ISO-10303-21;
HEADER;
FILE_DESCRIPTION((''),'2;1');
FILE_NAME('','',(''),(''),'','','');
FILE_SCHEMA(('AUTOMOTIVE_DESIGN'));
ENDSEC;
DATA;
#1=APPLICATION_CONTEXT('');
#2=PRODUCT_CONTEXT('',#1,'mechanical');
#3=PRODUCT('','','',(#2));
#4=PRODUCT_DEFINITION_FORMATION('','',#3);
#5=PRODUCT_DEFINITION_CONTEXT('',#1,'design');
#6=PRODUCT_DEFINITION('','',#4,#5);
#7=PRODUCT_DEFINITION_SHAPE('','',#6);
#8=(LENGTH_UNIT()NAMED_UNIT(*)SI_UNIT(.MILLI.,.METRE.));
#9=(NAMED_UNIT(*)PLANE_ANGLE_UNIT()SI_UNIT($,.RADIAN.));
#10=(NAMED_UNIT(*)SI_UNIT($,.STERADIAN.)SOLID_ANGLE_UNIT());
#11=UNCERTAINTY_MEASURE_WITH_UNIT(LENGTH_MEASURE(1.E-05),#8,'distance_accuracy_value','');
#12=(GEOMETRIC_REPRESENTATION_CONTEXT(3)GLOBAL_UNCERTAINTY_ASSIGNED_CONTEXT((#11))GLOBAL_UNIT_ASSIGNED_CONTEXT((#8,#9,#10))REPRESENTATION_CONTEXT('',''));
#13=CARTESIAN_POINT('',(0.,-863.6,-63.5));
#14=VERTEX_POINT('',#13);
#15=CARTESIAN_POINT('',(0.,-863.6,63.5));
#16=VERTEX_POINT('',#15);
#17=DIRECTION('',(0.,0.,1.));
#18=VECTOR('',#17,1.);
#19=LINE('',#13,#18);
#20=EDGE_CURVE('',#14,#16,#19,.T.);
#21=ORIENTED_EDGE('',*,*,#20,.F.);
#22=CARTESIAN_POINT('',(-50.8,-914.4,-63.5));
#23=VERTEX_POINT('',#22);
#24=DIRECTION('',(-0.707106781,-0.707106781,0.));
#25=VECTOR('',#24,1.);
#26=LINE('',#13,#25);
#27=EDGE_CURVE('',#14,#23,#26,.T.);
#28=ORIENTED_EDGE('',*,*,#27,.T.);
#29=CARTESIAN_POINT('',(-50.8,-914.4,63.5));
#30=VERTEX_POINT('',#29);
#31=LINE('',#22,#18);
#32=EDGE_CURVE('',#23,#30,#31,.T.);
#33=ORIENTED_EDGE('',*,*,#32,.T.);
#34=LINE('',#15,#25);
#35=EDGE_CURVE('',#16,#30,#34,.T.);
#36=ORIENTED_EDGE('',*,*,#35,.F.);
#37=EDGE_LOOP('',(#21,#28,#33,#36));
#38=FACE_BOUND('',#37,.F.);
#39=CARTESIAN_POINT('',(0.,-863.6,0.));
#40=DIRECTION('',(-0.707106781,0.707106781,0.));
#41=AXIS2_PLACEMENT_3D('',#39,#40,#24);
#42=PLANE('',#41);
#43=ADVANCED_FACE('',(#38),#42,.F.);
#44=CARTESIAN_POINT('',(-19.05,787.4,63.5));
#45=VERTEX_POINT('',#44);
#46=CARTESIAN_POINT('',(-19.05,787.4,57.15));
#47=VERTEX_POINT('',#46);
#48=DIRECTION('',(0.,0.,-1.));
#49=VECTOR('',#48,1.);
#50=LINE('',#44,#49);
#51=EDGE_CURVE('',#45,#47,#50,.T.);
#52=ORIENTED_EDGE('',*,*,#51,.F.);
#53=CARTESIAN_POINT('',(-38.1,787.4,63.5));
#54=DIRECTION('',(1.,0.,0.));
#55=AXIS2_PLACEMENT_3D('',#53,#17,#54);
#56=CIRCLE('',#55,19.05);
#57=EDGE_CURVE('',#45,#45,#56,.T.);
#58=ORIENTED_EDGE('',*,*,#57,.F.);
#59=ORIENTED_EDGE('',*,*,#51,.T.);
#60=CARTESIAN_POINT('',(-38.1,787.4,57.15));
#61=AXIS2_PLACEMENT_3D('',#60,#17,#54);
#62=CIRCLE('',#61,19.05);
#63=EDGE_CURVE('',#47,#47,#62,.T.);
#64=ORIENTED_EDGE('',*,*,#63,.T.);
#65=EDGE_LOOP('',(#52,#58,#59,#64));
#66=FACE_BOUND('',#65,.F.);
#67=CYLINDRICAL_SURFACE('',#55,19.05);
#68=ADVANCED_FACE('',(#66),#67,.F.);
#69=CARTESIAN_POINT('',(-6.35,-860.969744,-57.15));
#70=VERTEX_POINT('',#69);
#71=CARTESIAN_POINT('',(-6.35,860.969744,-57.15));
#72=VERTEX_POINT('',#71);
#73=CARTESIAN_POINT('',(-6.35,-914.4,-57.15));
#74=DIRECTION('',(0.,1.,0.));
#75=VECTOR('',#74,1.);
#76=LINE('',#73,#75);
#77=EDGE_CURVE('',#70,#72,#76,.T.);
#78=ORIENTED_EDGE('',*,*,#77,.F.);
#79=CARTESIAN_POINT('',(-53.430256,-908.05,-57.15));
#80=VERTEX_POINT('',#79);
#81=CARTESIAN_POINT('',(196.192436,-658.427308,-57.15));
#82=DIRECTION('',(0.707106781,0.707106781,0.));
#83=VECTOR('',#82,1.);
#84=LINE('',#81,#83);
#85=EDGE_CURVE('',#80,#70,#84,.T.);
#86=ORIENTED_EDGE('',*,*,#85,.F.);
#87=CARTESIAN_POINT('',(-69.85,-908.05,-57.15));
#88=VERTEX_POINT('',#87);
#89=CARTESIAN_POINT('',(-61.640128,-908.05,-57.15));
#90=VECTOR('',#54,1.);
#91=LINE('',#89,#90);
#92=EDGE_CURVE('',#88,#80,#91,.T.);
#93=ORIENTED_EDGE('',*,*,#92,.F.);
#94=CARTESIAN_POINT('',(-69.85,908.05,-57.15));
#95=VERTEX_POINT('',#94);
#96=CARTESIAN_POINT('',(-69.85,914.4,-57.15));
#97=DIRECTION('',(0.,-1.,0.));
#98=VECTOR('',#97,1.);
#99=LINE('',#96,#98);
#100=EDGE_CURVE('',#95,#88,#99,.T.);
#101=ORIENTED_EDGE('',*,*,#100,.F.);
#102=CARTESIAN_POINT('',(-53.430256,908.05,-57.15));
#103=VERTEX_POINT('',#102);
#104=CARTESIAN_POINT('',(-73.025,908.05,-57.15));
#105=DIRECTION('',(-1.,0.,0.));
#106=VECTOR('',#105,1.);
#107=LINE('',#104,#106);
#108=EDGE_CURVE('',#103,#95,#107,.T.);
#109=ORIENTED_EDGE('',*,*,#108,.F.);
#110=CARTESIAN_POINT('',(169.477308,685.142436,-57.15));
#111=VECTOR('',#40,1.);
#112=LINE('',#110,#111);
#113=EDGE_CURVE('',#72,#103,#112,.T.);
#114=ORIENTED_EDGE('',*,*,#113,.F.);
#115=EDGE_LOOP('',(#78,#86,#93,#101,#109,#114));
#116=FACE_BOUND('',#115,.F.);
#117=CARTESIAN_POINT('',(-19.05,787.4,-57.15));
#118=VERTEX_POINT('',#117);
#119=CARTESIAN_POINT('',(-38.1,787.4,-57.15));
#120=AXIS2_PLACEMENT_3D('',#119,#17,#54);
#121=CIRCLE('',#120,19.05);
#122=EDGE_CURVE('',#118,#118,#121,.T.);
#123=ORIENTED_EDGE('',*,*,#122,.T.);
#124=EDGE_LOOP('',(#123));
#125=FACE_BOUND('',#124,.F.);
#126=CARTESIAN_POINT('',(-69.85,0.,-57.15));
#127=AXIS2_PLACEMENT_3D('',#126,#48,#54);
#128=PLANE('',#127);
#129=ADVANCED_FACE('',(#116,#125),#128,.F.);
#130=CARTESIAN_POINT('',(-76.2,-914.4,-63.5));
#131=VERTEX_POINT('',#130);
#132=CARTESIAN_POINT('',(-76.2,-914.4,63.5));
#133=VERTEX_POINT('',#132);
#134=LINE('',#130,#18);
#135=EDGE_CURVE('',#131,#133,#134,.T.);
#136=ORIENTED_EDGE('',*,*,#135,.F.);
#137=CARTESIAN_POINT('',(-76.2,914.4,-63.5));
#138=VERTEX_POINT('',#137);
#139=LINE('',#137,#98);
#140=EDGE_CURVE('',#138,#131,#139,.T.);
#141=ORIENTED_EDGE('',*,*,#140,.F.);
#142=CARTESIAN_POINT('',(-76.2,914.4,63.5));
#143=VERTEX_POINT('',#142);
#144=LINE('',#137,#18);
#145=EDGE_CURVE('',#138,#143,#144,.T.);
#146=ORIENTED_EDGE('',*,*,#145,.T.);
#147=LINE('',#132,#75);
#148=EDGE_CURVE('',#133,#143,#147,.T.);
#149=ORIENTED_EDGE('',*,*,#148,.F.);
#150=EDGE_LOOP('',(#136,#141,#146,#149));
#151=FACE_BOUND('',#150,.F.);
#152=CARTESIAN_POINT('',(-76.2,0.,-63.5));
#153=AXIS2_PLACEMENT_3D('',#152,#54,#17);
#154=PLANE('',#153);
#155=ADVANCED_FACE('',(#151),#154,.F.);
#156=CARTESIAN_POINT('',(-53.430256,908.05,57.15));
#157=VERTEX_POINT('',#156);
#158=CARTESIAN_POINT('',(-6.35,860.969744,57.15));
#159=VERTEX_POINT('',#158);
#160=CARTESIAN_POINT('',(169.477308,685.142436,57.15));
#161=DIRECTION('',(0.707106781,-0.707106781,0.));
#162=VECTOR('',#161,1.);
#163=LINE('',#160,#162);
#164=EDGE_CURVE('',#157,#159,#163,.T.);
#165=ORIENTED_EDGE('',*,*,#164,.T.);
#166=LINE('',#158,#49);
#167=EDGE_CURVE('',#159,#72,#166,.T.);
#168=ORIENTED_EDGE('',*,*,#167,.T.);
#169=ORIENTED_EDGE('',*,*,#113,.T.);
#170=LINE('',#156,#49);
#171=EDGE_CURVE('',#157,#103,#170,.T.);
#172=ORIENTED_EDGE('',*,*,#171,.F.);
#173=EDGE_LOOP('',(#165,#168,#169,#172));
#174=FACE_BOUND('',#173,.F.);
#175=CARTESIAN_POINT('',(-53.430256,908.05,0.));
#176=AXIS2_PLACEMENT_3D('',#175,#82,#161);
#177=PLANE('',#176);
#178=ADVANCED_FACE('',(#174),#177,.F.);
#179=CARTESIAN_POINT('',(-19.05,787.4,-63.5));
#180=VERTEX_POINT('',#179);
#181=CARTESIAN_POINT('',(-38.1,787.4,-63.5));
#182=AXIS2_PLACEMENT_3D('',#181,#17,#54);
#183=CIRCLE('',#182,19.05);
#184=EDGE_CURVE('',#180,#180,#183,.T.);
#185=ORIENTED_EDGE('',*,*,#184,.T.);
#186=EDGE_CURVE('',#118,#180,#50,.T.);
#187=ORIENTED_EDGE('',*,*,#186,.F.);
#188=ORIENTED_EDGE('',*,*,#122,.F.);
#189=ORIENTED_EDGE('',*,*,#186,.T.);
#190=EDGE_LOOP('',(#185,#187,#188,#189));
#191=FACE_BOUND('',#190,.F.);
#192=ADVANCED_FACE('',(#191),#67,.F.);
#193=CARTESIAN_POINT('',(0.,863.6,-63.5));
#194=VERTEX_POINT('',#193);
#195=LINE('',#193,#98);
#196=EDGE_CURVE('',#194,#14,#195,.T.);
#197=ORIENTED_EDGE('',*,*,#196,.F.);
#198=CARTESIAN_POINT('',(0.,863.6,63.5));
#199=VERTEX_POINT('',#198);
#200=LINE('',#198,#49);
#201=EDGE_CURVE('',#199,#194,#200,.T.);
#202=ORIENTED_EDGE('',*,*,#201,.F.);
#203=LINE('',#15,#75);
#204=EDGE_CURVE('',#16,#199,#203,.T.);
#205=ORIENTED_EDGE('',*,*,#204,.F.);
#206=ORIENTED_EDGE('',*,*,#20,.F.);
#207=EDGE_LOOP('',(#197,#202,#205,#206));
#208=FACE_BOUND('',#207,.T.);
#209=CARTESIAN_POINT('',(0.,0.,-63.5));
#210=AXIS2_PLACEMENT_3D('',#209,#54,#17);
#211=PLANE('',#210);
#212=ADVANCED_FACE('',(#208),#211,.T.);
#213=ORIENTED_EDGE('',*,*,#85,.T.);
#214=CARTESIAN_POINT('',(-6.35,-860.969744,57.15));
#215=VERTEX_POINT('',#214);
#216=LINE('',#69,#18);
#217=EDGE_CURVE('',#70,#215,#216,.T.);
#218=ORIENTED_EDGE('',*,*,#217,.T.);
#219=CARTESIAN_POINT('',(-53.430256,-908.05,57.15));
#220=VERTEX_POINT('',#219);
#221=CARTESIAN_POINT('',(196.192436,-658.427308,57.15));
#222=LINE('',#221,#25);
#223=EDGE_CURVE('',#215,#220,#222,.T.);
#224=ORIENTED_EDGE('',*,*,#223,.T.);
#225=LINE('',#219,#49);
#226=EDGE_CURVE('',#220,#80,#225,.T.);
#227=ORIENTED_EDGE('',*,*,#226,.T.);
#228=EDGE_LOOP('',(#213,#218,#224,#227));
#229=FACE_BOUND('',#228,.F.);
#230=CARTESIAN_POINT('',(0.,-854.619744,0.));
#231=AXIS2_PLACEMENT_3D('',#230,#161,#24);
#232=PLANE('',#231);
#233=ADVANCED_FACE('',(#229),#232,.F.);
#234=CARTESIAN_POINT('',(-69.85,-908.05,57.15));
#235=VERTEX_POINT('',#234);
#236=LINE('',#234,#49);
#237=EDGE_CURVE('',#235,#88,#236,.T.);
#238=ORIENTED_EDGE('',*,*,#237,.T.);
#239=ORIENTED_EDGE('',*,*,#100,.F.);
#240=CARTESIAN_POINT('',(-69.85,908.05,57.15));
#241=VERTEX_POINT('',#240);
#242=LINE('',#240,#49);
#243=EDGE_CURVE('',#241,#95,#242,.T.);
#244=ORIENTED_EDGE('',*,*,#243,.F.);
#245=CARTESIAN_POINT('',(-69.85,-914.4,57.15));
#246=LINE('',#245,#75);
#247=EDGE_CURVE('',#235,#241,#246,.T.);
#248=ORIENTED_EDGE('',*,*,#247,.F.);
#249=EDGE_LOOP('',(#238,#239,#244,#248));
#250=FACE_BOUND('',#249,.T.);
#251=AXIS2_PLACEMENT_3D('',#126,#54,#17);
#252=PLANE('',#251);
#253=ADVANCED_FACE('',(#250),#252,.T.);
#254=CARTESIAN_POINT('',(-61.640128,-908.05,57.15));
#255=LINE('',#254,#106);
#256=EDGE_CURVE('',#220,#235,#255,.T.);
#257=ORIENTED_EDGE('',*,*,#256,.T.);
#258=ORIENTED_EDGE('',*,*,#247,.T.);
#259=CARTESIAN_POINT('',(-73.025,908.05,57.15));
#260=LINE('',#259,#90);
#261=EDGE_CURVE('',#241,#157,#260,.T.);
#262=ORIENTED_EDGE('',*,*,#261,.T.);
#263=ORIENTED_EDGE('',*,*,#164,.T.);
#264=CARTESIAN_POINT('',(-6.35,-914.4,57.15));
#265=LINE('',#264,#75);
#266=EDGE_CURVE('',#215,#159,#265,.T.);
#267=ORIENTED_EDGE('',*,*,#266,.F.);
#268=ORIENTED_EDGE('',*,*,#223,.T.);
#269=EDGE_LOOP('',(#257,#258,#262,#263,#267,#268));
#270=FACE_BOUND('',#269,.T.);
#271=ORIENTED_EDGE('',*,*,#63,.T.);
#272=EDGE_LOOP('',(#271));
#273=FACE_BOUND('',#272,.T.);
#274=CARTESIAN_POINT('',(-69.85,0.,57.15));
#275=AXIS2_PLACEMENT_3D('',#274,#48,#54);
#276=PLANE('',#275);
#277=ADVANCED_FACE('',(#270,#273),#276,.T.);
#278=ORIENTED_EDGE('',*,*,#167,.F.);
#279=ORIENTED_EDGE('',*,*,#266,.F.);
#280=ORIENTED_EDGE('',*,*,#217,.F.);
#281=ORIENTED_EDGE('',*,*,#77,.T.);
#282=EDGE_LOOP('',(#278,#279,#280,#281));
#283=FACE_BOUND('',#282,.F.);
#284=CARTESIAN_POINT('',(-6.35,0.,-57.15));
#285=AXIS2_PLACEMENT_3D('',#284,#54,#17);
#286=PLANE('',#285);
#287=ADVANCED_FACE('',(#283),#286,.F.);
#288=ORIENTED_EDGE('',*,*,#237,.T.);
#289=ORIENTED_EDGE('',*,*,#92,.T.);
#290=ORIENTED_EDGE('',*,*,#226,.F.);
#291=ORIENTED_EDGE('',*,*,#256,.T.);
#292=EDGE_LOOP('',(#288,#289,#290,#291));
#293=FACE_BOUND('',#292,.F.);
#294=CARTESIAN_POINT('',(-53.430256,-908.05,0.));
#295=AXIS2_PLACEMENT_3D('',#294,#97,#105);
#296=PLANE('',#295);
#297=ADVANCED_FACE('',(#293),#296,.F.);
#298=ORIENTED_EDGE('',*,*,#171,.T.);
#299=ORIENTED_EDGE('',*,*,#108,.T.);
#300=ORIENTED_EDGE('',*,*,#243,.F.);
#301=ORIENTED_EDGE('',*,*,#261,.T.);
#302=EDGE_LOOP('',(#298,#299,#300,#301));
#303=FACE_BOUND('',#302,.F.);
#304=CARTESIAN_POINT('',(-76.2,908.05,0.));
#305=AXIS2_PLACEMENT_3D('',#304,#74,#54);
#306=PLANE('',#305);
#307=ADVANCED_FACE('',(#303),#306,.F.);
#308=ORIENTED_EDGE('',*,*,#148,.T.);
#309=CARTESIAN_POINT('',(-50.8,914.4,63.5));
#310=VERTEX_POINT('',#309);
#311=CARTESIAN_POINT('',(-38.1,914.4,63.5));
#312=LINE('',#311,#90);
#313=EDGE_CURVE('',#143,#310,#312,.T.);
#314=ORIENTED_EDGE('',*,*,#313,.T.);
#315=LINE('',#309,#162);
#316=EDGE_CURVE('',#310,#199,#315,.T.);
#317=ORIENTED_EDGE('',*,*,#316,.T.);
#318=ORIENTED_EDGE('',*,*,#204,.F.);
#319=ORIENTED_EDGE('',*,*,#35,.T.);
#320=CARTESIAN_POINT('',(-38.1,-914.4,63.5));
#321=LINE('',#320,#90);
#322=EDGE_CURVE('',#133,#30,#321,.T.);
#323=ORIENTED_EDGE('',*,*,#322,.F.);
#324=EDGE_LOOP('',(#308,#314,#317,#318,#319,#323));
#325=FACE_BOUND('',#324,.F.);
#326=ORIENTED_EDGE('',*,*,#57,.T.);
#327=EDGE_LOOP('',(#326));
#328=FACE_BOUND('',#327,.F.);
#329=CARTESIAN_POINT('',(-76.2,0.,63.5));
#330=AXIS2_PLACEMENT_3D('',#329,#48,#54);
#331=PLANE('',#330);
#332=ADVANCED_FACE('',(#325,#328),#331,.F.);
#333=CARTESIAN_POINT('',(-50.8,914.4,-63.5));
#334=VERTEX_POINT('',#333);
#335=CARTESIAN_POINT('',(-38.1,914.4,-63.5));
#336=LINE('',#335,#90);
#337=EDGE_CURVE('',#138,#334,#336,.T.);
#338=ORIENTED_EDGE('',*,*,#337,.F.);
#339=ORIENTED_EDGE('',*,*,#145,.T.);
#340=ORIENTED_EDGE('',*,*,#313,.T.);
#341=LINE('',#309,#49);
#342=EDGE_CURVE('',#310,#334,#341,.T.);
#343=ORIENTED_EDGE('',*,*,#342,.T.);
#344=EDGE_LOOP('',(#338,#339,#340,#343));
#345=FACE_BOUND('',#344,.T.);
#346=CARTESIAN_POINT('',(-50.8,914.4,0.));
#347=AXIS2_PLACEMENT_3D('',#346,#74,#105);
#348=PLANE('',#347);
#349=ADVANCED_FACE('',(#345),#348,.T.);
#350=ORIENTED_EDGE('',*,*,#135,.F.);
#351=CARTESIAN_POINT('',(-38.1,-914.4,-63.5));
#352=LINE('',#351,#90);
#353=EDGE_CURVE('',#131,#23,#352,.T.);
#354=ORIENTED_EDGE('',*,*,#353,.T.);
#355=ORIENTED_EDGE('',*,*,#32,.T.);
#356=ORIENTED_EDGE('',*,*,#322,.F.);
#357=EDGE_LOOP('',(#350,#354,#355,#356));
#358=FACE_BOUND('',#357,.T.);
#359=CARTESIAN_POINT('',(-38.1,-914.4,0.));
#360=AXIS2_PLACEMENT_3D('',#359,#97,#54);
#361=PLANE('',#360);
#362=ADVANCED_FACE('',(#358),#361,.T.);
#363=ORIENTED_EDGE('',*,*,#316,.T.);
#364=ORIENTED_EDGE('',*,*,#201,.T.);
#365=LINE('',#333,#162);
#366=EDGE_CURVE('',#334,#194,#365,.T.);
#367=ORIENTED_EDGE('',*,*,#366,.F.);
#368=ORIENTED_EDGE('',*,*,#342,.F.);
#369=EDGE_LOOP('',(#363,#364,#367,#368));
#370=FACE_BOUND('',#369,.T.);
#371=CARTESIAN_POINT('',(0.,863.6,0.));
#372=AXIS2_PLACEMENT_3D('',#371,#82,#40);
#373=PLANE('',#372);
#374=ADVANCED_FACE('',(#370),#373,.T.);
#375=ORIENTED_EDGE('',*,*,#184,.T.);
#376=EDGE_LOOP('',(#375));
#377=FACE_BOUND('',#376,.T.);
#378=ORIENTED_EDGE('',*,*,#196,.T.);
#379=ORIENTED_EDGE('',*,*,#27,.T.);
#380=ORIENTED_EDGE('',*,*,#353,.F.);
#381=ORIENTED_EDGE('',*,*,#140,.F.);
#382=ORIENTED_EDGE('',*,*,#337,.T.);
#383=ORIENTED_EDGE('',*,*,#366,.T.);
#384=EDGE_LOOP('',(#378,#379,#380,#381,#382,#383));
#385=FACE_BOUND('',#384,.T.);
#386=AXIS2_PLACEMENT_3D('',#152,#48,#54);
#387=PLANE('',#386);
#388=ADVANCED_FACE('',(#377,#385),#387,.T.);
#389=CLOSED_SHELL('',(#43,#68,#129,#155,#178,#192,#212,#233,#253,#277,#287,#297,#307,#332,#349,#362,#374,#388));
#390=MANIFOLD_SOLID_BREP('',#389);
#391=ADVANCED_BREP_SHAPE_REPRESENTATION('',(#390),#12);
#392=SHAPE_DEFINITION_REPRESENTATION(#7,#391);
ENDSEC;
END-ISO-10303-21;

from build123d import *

# Parameters (mm, degrees)
F0_W          = 76.2
F0_H          = 127
F0_W_2        = 63.5
F0_H_2        = 114.3
F1_DEPTH      = 914.4
F2_R          = 19.05
F3_DEPTH      = 127.001
F5_DEPTH      = 63.5
F5_DEPTH_BACK = 63.5
F7_DEPTH      = 63.5
F7_DEPTH_BACK = 63.5
F9_DEPTH      = 63.5
F9_DEPTH_BACK = 63.5


with BuildPart() as f1:
    # F0 (on Front) → F1 (new body, symmetric)
    with BuildSketch(Plane.XZ):
        with Locations((-38.1, 0)):
            Rectangle(F0_W, F0_H)
        with Locations((-38.1, 0)):
            Rectangle(F0_W_2, F0_H_2, mode=Mode.SUBTRACT)
    extrude(amount=F1_DEPTH, both=True)

    # F2 (on face) → F3 (cut, through all)
    with BuildSketch(Plane.XY.offset(63.5)):
        with Locations((-38.1, 787.4)):
            Circle(F2_R)
    extrude(amount=-F3_DEPTH, mode=Mode.SUBTRACT)

    # F4 (on Top) → F5 (cut, two sides)
    with BuildSketch(Plane.XY) as f5_sk:
        Polygon((0, -863.6), (-50.8, -914.4), (0, -914.4), align=None)
        Polygon((0, 863.6), (0, 914.4), (-50.8, 914.4), align=None)
    extrude(amount=F5_DEPTH, mode=Mode.SUBTRACT)
    extrude(f5_sk.sketch, amount=-F5_DEPTH_BACK, mode=Mode.SUBTRACT)

    # F6 (on Top) → F7 (join, two sides)
    with BuildSketch(Plane.XY) as f7_sk:
        Polygon((-76.2, -908.05), (-76.2, -914.4), (-50.8, -914.4), (0, -863.6), (0, -854.619744), (-53.430256, -908.05), align=None)
    extrude(amount=F7_DEPTH)
    extrude(f7_sk.sketch, amount=-F7_DEPTH_BACK)

    # F8 (on Top) → F9 (join, two sides)
    with BuildSketch(Plane.XY) as f9_sk:
        Polygon((-50.8, 914.4), (-76.2, 914.4), (-76.2, 908.05), (-53.430256, 908.05), (0, 854.619744), (0, 863.6), align=None)
    extrude(amount=F9_DEPTH)
    extrude(f9_sk.sketch, amount=-F9_DEPTH_BACK)


solid = f1.part
